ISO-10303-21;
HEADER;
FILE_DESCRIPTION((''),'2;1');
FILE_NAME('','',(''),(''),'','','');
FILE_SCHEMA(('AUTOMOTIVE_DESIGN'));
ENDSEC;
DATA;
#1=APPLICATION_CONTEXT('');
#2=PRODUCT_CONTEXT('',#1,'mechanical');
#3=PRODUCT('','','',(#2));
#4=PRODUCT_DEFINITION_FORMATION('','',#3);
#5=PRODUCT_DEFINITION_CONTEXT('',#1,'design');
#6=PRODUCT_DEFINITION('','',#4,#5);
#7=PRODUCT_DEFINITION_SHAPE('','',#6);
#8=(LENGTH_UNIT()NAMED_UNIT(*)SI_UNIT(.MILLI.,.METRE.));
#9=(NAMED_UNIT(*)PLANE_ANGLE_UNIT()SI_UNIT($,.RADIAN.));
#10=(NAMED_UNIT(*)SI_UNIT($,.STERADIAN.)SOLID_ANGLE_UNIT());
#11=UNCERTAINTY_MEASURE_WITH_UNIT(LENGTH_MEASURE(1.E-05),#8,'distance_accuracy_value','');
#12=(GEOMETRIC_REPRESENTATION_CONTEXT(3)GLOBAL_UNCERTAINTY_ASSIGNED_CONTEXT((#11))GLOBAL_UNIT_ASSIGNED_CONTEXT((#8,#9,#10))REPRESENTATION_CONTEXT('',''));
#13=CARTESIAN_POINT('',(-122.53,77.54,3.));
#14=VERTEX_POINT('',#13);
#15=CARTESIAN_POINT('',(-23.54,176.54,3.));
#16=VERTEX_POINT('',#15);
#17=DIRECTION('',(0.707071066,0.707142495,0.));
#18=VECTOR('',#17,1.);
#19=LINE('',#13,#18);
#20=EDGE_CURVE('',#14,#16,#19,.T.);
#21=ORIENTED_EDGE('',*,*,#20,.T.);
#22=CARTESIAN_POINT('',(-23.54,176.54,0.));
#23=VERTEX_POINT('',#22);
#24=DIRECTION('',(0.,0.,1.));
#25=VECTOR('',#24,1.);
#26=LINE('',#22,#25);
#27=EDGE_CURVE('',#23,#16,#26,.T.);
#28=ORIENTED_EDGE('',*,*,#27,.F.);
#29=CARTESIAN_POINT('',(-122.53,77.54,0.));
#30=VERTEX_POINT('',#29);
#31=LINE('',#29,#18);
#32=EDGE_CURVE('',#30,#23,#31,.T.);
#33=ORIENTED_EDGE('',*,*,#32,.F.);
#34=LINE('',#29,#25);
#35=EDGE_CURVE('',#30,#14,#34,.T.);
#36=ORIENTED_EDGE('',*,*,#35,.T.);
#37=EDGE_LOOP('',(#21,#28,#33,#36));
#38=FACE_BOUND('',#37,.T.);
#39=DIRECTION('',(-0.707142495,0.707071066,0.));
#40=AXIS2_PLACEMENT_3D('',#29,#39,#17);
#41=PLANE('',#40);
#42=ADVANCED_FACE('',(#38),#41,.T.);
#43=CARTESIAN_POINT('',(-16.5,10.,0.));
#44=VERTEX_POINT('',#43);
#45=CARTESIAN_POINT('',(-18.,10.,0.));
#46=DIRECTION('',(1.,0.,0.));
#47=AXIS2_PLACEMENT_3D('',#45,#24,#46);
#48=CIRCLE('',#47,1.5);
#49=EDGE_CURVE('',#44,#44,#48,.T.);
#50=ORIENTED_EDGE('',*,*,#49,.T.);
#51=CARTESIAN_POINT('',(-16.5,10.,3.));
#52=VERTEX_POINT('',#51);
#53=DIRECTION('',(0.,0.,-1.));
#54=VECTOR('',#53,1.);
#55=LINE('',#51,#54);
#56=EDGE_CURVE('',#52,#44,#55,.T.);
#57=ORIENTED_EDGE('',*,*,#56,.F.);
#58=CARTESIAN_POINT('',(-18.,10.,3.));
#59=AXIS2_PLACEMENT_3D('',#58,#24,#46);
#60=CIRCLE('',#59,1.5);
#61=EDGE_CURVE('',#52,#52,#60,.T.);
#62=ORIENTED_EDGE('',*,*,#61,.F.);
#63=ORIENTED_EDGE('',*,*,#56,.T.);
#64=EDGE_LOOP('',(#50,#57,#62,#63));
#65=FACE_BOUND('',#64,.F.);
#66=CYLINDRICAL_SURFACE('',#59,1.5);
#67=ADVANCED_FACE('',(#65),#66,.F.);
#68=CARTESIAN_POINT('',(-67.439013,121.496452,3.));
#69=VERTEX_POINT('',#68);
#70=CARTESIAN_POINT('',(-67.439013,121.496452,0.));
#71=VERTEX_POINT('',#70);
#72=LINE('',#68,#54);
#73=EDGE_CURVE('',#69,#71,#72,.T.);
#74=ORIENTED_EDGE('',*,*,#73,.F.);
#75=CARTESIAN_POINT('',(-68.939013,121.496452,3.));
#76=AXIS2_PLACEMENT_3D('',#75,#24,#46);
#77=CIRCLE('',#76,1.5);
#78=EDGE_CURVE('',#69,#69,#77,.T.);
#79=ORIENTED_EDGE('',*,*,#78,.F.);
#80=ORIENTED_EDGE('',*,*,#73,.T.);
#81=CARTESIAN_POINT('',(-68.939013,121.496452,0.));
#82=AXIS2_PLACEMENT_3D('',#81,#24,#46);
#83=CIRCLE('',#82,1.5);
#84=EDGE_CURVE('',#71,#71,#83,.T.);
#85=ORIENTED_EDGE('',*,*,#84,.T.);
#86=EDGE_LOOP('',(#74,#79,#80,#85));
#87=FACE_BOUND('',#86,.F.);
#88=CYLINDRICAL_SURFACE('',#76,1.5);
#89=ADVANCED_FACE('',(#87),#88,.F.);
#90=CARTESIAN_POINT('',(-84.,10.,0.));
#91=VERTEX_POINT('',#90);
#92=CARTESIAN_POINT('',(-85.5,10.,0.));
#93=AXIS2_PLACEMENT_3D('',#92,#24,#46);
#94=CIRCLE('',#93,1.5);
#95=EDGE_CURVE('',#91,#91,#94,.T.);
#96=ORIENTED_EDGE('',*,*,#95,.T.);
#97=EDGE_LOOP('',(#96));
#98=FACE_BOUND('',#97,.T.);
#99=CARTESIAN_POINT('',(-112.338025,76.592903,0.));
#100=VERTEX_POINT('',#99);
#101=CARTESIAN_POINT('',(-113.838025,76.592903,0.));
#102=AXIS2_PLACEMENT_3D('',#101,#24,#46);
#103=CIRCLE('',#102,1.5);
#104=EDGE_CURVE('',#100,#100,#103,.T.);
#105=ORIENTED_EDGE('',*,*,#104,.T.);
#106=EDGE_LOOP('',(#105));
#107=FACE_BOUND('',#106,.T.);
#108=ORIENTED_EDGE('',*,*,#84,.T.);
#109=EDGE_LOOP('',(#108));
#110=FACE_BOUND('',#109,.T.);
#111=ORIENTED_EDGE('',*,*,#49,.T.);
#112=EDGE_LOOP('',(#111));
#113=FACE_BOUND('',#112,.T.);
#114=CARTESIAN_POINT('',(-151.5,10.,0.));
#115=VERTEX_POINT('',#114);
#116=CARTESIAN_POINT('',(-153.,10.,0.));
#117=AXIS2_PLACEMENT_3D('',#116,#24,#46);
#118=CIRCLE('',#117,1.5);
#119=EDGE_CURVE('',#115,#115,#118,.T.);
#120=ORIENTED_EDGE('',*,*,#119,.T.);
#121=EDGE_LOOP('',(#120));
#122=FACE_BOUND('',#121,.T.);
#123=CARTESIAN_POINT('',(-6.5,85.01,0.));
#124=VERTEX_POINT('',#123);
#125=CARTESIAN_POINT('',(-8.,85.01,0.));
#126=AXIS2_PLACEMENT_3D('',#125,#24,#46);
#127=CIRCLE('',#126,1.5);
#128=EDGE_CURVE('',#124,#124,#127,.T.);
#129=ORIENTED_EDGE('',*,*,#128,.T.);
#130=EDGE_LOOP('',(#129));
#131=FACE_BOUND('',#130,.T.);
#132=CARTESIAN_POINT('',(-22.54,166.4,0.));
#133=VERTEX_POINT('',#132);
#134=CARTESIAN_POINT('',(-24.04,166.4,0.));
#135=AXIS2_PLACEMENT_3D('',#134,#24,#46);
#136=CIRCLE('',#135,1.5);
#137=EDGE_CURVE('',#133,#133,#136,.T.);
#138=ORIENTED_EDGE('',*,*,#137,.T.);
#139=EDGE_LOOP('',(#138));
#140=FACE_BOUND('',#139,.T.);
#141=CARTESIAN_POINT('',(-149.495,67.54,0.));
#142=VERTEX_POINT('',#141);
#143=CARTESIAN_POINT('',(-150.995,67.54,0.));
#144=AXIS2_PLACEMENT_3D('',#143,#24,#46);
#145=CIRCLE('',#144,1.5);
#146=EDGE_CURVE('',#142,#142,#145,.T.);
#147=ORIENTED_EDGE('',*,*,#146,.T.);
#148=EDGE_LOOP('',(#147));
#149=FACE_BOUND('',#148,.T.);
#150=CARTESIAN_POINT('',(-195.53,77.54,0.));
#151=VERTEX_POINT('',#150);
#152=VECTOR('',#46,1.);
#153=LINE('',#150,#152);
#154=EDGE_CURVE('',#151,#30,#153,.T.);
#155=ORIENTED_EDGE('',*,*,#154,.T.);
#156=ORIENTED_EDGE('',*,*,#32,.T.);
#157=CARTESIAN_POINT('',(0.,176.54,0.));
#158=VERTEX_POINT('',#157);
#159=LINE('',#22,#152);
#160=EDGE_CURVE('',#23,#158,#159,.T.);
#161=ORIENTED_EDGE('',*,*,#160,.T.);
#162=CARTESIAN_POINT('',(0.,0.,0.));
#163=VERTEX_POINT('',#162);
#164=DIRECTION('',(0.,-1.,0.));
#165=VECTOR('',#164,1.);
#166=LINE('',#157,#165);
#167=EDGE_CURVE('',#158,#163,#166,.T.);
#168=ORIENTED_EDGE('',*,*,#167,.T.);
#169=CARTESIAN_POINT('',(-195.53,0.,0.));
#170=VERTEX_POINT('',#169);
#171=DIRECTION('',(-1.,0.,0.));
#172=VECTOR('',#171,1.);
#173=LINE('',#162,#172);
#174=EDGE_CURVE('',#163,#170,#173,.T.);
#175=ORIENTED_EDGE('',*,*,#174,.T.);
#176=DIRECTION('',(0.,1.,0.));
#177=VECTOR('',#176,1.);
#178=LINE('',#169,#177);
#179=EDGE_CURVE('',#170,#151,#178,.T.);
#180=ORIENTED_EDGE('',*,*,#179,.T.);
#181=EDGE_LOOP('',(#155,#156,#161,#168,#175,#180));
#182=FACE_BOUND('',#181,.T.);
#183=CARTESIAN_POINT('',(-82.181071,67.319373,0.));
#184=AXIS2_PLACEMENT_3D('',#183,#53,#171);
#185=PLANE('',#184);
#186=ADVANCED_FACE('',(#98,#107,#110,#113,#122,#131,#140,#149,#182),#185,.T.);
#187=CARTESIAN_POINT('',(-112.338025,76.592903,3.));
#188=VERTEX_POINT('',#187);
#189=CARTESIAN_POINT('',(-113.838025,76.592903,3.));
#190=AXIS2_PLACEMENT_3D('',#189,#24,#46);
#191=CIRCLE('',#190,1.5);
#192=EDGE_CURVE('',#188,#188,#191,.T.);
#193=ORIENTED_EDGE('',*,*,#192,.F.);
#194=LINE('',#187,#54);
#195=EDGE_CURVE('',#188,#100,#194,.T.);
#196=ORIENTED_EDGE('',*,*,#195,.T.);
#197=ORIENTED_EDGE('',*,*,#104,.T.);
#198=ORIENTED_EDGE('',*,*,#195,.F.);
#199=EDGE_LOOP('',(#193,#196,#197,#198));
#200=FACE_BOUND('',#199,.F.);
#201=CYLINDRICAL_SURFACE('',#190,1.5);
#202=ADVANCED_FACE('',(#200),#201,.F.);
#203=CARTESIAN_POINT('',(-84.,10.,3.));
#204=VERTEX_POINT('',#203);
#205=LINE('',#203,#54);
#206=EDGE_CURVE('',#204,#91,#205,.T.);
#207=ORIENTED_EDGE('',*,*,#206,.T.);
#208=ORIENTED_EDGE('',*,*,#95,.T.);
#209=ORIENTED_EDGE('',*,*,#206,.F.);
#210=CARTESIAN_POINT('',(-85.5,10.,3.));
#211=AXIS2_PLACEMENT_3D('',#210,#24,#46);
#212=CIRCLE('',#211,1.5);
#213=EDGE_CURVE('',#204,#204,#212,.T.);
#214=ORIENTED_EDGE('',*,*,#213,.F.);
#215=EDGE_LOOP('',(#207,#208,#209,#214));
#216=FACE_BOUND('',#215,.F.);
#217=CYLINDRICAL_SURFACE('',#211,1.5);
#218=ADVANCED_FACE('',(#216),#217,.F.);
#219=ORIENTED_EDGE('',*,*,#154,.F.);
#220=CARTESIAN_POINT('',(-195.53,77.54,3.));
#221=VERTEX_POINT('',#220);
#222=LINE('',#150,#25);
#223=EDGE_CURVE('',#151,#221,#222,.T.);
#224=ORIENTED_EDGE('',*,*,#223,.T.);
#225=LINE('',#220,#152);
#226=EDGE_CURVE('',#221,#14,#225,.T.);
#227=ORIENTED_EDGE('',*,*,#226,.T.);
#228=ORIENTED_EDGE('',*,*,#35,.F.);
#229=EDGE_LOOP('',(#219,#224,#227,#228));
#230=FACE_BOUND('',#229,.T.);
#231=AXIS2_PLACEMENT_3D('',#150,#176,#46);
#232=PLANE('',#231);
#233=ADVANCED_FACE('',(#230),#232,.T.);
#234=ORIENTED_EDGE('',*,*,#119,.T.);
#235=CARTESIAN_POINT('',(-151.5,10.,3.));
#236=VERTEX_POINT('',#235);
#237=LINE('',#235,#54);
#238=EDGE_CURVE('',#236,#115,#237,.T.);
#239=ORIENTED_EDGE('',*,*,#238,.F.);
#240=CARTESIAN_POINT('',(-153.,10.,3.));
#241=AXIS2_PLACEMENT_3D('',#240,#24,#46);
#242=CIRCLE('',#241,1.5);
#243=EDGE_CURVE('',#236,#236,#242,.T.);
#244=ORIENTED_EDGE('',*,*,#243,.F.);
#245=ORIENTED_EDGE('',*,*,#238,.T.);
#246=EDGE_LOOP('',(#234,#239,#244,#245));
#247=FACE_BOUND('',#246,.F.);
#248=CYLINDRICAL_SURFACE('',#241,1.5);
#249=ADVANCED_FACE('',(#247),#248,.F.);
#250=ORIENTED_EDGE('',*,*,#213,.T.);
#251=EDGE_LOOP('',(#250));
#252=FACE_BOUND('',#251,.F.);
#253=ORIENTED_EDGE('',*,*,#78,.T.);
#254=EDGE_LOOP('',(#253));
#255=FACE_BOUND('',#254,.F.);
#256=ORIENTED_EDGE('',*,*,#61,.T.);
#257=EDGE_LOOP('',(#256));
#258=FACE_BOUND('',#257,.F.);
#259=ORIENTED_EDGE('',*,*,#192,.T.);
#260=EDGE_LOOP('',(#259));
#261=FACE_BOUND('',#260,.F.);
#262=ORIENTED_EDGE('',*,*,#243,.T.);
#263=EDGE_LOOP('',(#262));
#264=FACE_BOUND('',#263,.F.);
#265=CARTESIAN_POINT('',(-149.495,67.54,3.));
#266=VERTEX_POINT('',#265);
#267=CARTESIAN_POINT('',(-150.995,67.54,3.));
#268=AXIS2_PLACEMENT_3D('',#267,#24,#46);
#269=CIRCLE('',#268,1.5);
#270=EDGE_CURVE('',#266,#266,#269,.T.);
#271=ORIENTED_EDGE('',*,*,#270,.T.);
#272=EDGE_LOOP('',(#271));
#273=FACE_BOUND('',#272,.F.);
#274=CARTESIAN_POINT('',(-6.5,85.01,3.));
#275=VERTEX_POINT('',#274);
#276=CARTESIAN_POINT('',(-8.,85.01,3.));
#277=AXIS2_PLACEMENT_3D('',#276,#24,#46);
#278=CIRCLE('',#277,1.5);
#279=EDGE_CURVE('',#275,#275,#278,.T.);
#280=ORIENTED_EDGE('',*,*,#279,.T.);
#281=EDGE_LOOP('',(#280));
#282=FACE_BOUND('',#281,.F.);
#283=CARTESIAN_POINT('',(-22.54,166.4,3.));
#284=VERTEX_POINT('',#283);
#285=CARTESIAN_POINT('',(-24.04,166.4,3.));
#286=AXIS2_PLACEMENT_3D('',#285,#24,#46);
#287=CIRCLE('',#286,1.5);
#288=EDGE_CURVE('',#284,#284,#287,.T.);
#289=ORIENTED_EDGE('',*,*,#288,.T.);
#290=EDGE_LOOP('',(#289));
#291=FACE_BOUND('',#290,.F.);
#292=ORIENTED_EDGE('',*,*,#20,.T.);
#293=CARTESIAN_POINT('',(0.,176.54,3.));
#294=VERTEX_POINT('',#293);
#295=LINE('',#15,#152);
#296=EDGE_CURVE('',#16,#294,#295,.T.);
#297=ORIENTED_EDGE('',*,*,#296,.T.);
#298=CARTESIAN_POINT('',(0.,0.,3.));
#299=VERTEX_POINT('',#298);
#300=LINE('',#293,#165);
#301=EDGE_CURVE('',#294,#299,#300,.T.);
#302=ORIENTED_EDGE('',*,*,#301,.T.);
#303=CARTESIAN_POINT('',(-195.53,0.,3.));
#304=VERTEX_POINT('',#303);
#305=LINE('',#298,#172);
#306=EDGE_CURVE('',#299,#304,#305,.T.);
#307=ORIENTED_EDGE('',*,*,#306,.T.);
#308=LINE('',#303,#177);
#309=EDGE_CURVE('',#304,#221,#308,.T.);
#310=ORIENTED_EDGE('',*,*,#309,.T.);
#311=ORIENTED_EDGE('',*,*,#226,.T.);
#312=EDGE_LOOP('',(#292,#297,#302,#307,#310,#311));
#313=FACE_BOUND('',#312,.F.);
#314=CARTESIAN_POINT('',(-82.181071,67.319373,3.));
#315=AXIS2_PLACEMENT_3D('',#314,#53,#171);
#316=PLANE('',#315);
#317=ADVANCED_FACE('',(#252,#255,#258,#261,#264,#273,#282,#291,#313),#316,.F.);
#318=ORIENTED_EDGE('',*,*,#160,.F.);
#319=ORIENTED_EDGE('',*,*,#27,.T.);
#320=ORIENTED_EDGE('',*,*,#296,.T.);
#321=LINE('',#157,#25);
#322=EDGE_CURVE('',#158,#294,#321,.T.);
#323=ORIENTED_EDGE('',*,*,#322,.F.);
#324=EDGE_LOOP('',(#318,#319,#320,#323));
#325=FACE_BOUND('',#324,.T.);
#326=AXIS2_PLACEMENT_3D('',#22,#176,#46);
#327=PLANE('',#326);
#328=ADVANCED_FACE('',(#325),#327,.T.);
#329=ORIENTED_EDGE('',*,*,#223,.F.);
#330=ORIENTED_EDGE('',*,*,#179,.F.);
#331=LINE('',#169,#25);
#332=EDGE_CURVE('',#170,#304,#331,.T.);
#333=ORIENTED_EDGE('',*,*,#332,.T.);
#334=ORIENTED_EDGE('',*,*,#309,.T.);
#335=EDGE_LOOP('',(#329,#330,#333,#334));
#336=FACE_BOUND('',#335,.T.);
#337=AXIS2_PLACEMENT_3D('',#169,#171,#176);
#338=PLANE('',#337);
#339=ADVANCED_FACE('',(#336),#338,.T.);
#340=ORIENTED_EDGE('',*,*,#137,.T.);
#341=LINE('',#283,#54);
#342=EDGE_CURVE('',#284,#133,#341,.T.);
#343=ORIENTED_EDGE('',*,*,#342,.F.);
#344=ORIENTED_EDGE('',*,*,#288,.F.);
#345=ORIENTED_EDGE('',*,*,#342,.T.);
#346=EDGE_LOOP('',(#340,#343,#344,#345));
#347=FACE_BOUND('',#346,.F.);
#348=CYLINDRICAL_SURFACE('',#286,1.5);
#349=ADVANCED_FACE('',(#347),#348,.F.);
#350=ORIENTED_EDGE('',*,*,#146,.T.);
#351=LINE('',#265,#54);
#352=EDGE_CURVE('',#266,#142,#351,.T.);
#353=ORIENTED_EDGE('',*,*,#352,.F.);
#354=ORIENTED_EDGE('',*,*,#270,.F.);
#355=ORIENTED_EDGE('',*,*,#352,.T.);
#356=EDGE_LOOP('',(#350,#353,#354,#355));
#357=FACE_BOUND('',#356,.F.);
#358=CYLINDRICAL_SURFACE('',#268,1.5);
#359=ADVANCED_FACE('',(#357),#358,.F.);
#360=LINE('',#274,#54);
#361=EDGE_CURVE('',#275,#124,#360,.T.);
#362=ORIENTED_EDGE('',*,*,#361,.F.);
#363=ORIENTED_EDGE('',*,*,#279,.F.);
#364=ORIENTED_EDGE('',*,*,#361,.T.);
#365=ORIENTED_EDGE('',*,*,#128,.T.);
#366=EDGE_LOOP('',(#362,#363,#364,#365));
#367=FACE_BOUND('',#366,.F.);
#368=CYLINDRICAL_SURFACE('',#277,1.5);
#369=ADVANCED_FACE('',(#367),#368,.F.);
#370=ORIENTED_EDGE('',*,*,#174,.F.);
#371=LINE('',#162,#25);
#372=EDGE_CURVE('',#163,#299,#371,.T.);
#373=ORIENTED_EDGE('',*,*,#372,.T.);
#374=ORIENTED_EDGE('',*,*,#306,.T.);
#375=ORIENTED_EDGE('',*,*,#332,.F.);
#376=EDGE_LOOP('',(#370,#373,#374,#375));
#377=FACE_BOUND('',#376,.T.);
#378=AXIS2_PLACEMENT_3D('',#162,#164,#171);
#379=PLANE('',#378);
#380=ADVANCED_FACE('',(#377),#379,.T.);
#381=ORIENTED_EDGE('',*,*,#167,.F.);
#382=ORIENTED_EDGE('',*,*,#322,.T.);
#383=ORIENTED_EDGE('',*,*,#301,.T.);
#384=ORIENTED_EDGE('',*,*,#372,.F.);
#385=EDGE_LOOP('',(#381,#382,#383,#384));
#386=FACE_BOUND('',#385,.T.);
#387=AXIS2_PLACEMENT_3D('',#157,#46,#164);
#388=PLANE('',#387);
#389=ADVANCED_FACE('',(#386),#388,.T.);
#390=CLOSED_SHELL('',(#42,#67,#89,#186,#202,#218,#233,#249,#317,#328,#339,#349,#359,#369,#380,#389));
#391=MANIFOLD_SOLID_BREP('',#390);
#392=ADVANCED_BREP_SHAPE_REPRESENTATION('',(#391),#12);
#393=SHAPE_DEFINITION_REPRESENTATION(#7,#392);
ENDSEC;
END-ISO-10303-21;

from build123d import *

# Parameters (mm, degrees)
BOSS_EXTRUDE1_DEPTH = 3
CUT_EXTRUDE1_REACH  = 265.453
SKETCH2_R           = 1.5
LPATTERN2_COUNT     = 3
LPATTERN2_PITCH     = 63.5
CUT_EXTRUDE2_REACH  = 265.453
SKETCH3_R           = 1.5
CUT_EXTRUDE3_REACH  = 265.453
SKETCH4_R           = 1.5
CUT_EXTRUDE4_REACH  = 265.453
SKETCH5_R           = 1.5


with BuildPart() as part:
    # Sketch1 → Boss-Extrude1 (new body)
    with BuildSketch(Plane.XY):
        Polygon((0, 0), (-195.53, 0), (-195.53, 77.54), (-122.53, 77.54), (-23.54, 176.54), (0, 176.54), align=None)
    extrude(amount=BOSS_EXTRUDE1_DEPTH)

    # Sketch2 → Cut-Extrude1 (cut, up to next)
    with BuildSketch(Plane.XY.offset(3), mode=Mode.PRIVATE) as cut_extrude1_sk1:
        with Locations((-24.04, 166.4)):
            Circle(SKETCH2_R)
    cut_extrude1_tool1 = extrude(cut_extrude1_sk1.sketch, amount=-CUT_EXTRUDE1_REACH, mode=Mode.PRIVATE) & part.part
    cut_extrude1 = cut_extrude1_tool1.solids().sort_by_distance((-24.04, 166.4, 3))[0]
    add(cut_extrude1, mode=Mode.SUBTRACT)

    # LPattern2: Cut-Extrude1 ×3
    with Locations(*[Vector(-0.707071066017225, -0.707142494552028, 0) * (i * LPATTERN2_PITCH) for i in range(1, LPATTERN2_COUNT)]):
        add(cut_extrude1, mode=Mode.SUBTRACT)

    # Sketch3 → Cut-Extrude2 (cut, up to next)
    with BuildSketch(Plane.XY.offset(3), mode=Mode.PRIVATE) as cut_extrude2_sk1:
        with Locations((-18, 10)):
            Circle(SKETCH3_R)
    cut_extrude2_tool1 = extrude(cut_extrude2_sk1.sketch, amount=-CUT_EXTRUDE2_REACH, mode=Mode.PRIVATE) & part.part
    # Sketch3 → Cut-Extrude2 (cut, up to next)
    with BuildSketch(Plane.XY.offset(3), mode=Mode.PRIVATE) as cut_extrude2_sk2:
        with Locations((-85.5, 10)):
            Circle(SKETCH3_R)
    cut_extrude2_tool2 = extrude(cut_extrude2_sk2.sketch, amount=-CUT_EXTRUDE2_REACH, mode=Mode.PRIVATE) & part.part
    # Sketch3 → Cut-Extrude2 (cut, up to next)
    with BuildSketch(Plane.XY.offset(3), mode=Mode.PRIVATE) as cut_extrude2_sk3:
        with Locations((-153, 10)):
            Circle(SKETCH3_R)
    cut_extrude2_tool3 = extrude(cut_extrude2_sk3.sketch, amount=-CUT_EXTRUDE2_REACH, mode=Mode.PRIVATE) & part.part
    add(cut_extrude2_tool1.solids().sort_by_distance((-18, 10, 3))[0], mode=Mode.SUBTRACT)
    add(cut_extrude2_tool2.solids().sort_by_distance((-85.5, 10, 3))[0], mode=Mode.SUBTRACT)
    add(cut_extrude2_tool3.solids().sort_by_distance((-153, 10, 3))[0], mode=Mode.SUBTRACT)

    # Sketch4 → Cut-Extrude3 (cut, up to next)
    with BuildSketch(Plane.XY.offset(3), mode=Mode.PRIVATE) as cut_extrude3_sk1:
        with Locations((-150.995, 67.54)):
            Circle(SKETCH4_R)
    cut_extrude3_tool1 = extrude(cut_extrude3_sk1.sketch, amount=-CUT_EXTRUDE3_REACH, mode=Mode.PRIVATE) & part.part
    add(cut_extrude3_tool1.solids().sort_by_distance((-150.995, 67.54, 3))[0], mode=Mode.SUBTRACT)

    # Sketch5 → Cut-Extrude4 (cut, up to next)
    with BuildSketch(Plane.XY.offset(3), mode=Mode.PRIVATE) as cut_extrude4_sk1:
        with Locations((-8, 85.01)):
            Circle(SKETCH5_R)
    cut_extrude4_tool1 = extrude(cut_extrude4_sk1.sketch, amount=-CUT_EXTRUDE4_REACH, mode=Mode.PRIVATE) & part.part
    add(cut_extrude4_tool1.solids().sort_by_distance((-8, 85.01, 3))[0], mode=Mode.SUBTRACT)


solid = part.part
